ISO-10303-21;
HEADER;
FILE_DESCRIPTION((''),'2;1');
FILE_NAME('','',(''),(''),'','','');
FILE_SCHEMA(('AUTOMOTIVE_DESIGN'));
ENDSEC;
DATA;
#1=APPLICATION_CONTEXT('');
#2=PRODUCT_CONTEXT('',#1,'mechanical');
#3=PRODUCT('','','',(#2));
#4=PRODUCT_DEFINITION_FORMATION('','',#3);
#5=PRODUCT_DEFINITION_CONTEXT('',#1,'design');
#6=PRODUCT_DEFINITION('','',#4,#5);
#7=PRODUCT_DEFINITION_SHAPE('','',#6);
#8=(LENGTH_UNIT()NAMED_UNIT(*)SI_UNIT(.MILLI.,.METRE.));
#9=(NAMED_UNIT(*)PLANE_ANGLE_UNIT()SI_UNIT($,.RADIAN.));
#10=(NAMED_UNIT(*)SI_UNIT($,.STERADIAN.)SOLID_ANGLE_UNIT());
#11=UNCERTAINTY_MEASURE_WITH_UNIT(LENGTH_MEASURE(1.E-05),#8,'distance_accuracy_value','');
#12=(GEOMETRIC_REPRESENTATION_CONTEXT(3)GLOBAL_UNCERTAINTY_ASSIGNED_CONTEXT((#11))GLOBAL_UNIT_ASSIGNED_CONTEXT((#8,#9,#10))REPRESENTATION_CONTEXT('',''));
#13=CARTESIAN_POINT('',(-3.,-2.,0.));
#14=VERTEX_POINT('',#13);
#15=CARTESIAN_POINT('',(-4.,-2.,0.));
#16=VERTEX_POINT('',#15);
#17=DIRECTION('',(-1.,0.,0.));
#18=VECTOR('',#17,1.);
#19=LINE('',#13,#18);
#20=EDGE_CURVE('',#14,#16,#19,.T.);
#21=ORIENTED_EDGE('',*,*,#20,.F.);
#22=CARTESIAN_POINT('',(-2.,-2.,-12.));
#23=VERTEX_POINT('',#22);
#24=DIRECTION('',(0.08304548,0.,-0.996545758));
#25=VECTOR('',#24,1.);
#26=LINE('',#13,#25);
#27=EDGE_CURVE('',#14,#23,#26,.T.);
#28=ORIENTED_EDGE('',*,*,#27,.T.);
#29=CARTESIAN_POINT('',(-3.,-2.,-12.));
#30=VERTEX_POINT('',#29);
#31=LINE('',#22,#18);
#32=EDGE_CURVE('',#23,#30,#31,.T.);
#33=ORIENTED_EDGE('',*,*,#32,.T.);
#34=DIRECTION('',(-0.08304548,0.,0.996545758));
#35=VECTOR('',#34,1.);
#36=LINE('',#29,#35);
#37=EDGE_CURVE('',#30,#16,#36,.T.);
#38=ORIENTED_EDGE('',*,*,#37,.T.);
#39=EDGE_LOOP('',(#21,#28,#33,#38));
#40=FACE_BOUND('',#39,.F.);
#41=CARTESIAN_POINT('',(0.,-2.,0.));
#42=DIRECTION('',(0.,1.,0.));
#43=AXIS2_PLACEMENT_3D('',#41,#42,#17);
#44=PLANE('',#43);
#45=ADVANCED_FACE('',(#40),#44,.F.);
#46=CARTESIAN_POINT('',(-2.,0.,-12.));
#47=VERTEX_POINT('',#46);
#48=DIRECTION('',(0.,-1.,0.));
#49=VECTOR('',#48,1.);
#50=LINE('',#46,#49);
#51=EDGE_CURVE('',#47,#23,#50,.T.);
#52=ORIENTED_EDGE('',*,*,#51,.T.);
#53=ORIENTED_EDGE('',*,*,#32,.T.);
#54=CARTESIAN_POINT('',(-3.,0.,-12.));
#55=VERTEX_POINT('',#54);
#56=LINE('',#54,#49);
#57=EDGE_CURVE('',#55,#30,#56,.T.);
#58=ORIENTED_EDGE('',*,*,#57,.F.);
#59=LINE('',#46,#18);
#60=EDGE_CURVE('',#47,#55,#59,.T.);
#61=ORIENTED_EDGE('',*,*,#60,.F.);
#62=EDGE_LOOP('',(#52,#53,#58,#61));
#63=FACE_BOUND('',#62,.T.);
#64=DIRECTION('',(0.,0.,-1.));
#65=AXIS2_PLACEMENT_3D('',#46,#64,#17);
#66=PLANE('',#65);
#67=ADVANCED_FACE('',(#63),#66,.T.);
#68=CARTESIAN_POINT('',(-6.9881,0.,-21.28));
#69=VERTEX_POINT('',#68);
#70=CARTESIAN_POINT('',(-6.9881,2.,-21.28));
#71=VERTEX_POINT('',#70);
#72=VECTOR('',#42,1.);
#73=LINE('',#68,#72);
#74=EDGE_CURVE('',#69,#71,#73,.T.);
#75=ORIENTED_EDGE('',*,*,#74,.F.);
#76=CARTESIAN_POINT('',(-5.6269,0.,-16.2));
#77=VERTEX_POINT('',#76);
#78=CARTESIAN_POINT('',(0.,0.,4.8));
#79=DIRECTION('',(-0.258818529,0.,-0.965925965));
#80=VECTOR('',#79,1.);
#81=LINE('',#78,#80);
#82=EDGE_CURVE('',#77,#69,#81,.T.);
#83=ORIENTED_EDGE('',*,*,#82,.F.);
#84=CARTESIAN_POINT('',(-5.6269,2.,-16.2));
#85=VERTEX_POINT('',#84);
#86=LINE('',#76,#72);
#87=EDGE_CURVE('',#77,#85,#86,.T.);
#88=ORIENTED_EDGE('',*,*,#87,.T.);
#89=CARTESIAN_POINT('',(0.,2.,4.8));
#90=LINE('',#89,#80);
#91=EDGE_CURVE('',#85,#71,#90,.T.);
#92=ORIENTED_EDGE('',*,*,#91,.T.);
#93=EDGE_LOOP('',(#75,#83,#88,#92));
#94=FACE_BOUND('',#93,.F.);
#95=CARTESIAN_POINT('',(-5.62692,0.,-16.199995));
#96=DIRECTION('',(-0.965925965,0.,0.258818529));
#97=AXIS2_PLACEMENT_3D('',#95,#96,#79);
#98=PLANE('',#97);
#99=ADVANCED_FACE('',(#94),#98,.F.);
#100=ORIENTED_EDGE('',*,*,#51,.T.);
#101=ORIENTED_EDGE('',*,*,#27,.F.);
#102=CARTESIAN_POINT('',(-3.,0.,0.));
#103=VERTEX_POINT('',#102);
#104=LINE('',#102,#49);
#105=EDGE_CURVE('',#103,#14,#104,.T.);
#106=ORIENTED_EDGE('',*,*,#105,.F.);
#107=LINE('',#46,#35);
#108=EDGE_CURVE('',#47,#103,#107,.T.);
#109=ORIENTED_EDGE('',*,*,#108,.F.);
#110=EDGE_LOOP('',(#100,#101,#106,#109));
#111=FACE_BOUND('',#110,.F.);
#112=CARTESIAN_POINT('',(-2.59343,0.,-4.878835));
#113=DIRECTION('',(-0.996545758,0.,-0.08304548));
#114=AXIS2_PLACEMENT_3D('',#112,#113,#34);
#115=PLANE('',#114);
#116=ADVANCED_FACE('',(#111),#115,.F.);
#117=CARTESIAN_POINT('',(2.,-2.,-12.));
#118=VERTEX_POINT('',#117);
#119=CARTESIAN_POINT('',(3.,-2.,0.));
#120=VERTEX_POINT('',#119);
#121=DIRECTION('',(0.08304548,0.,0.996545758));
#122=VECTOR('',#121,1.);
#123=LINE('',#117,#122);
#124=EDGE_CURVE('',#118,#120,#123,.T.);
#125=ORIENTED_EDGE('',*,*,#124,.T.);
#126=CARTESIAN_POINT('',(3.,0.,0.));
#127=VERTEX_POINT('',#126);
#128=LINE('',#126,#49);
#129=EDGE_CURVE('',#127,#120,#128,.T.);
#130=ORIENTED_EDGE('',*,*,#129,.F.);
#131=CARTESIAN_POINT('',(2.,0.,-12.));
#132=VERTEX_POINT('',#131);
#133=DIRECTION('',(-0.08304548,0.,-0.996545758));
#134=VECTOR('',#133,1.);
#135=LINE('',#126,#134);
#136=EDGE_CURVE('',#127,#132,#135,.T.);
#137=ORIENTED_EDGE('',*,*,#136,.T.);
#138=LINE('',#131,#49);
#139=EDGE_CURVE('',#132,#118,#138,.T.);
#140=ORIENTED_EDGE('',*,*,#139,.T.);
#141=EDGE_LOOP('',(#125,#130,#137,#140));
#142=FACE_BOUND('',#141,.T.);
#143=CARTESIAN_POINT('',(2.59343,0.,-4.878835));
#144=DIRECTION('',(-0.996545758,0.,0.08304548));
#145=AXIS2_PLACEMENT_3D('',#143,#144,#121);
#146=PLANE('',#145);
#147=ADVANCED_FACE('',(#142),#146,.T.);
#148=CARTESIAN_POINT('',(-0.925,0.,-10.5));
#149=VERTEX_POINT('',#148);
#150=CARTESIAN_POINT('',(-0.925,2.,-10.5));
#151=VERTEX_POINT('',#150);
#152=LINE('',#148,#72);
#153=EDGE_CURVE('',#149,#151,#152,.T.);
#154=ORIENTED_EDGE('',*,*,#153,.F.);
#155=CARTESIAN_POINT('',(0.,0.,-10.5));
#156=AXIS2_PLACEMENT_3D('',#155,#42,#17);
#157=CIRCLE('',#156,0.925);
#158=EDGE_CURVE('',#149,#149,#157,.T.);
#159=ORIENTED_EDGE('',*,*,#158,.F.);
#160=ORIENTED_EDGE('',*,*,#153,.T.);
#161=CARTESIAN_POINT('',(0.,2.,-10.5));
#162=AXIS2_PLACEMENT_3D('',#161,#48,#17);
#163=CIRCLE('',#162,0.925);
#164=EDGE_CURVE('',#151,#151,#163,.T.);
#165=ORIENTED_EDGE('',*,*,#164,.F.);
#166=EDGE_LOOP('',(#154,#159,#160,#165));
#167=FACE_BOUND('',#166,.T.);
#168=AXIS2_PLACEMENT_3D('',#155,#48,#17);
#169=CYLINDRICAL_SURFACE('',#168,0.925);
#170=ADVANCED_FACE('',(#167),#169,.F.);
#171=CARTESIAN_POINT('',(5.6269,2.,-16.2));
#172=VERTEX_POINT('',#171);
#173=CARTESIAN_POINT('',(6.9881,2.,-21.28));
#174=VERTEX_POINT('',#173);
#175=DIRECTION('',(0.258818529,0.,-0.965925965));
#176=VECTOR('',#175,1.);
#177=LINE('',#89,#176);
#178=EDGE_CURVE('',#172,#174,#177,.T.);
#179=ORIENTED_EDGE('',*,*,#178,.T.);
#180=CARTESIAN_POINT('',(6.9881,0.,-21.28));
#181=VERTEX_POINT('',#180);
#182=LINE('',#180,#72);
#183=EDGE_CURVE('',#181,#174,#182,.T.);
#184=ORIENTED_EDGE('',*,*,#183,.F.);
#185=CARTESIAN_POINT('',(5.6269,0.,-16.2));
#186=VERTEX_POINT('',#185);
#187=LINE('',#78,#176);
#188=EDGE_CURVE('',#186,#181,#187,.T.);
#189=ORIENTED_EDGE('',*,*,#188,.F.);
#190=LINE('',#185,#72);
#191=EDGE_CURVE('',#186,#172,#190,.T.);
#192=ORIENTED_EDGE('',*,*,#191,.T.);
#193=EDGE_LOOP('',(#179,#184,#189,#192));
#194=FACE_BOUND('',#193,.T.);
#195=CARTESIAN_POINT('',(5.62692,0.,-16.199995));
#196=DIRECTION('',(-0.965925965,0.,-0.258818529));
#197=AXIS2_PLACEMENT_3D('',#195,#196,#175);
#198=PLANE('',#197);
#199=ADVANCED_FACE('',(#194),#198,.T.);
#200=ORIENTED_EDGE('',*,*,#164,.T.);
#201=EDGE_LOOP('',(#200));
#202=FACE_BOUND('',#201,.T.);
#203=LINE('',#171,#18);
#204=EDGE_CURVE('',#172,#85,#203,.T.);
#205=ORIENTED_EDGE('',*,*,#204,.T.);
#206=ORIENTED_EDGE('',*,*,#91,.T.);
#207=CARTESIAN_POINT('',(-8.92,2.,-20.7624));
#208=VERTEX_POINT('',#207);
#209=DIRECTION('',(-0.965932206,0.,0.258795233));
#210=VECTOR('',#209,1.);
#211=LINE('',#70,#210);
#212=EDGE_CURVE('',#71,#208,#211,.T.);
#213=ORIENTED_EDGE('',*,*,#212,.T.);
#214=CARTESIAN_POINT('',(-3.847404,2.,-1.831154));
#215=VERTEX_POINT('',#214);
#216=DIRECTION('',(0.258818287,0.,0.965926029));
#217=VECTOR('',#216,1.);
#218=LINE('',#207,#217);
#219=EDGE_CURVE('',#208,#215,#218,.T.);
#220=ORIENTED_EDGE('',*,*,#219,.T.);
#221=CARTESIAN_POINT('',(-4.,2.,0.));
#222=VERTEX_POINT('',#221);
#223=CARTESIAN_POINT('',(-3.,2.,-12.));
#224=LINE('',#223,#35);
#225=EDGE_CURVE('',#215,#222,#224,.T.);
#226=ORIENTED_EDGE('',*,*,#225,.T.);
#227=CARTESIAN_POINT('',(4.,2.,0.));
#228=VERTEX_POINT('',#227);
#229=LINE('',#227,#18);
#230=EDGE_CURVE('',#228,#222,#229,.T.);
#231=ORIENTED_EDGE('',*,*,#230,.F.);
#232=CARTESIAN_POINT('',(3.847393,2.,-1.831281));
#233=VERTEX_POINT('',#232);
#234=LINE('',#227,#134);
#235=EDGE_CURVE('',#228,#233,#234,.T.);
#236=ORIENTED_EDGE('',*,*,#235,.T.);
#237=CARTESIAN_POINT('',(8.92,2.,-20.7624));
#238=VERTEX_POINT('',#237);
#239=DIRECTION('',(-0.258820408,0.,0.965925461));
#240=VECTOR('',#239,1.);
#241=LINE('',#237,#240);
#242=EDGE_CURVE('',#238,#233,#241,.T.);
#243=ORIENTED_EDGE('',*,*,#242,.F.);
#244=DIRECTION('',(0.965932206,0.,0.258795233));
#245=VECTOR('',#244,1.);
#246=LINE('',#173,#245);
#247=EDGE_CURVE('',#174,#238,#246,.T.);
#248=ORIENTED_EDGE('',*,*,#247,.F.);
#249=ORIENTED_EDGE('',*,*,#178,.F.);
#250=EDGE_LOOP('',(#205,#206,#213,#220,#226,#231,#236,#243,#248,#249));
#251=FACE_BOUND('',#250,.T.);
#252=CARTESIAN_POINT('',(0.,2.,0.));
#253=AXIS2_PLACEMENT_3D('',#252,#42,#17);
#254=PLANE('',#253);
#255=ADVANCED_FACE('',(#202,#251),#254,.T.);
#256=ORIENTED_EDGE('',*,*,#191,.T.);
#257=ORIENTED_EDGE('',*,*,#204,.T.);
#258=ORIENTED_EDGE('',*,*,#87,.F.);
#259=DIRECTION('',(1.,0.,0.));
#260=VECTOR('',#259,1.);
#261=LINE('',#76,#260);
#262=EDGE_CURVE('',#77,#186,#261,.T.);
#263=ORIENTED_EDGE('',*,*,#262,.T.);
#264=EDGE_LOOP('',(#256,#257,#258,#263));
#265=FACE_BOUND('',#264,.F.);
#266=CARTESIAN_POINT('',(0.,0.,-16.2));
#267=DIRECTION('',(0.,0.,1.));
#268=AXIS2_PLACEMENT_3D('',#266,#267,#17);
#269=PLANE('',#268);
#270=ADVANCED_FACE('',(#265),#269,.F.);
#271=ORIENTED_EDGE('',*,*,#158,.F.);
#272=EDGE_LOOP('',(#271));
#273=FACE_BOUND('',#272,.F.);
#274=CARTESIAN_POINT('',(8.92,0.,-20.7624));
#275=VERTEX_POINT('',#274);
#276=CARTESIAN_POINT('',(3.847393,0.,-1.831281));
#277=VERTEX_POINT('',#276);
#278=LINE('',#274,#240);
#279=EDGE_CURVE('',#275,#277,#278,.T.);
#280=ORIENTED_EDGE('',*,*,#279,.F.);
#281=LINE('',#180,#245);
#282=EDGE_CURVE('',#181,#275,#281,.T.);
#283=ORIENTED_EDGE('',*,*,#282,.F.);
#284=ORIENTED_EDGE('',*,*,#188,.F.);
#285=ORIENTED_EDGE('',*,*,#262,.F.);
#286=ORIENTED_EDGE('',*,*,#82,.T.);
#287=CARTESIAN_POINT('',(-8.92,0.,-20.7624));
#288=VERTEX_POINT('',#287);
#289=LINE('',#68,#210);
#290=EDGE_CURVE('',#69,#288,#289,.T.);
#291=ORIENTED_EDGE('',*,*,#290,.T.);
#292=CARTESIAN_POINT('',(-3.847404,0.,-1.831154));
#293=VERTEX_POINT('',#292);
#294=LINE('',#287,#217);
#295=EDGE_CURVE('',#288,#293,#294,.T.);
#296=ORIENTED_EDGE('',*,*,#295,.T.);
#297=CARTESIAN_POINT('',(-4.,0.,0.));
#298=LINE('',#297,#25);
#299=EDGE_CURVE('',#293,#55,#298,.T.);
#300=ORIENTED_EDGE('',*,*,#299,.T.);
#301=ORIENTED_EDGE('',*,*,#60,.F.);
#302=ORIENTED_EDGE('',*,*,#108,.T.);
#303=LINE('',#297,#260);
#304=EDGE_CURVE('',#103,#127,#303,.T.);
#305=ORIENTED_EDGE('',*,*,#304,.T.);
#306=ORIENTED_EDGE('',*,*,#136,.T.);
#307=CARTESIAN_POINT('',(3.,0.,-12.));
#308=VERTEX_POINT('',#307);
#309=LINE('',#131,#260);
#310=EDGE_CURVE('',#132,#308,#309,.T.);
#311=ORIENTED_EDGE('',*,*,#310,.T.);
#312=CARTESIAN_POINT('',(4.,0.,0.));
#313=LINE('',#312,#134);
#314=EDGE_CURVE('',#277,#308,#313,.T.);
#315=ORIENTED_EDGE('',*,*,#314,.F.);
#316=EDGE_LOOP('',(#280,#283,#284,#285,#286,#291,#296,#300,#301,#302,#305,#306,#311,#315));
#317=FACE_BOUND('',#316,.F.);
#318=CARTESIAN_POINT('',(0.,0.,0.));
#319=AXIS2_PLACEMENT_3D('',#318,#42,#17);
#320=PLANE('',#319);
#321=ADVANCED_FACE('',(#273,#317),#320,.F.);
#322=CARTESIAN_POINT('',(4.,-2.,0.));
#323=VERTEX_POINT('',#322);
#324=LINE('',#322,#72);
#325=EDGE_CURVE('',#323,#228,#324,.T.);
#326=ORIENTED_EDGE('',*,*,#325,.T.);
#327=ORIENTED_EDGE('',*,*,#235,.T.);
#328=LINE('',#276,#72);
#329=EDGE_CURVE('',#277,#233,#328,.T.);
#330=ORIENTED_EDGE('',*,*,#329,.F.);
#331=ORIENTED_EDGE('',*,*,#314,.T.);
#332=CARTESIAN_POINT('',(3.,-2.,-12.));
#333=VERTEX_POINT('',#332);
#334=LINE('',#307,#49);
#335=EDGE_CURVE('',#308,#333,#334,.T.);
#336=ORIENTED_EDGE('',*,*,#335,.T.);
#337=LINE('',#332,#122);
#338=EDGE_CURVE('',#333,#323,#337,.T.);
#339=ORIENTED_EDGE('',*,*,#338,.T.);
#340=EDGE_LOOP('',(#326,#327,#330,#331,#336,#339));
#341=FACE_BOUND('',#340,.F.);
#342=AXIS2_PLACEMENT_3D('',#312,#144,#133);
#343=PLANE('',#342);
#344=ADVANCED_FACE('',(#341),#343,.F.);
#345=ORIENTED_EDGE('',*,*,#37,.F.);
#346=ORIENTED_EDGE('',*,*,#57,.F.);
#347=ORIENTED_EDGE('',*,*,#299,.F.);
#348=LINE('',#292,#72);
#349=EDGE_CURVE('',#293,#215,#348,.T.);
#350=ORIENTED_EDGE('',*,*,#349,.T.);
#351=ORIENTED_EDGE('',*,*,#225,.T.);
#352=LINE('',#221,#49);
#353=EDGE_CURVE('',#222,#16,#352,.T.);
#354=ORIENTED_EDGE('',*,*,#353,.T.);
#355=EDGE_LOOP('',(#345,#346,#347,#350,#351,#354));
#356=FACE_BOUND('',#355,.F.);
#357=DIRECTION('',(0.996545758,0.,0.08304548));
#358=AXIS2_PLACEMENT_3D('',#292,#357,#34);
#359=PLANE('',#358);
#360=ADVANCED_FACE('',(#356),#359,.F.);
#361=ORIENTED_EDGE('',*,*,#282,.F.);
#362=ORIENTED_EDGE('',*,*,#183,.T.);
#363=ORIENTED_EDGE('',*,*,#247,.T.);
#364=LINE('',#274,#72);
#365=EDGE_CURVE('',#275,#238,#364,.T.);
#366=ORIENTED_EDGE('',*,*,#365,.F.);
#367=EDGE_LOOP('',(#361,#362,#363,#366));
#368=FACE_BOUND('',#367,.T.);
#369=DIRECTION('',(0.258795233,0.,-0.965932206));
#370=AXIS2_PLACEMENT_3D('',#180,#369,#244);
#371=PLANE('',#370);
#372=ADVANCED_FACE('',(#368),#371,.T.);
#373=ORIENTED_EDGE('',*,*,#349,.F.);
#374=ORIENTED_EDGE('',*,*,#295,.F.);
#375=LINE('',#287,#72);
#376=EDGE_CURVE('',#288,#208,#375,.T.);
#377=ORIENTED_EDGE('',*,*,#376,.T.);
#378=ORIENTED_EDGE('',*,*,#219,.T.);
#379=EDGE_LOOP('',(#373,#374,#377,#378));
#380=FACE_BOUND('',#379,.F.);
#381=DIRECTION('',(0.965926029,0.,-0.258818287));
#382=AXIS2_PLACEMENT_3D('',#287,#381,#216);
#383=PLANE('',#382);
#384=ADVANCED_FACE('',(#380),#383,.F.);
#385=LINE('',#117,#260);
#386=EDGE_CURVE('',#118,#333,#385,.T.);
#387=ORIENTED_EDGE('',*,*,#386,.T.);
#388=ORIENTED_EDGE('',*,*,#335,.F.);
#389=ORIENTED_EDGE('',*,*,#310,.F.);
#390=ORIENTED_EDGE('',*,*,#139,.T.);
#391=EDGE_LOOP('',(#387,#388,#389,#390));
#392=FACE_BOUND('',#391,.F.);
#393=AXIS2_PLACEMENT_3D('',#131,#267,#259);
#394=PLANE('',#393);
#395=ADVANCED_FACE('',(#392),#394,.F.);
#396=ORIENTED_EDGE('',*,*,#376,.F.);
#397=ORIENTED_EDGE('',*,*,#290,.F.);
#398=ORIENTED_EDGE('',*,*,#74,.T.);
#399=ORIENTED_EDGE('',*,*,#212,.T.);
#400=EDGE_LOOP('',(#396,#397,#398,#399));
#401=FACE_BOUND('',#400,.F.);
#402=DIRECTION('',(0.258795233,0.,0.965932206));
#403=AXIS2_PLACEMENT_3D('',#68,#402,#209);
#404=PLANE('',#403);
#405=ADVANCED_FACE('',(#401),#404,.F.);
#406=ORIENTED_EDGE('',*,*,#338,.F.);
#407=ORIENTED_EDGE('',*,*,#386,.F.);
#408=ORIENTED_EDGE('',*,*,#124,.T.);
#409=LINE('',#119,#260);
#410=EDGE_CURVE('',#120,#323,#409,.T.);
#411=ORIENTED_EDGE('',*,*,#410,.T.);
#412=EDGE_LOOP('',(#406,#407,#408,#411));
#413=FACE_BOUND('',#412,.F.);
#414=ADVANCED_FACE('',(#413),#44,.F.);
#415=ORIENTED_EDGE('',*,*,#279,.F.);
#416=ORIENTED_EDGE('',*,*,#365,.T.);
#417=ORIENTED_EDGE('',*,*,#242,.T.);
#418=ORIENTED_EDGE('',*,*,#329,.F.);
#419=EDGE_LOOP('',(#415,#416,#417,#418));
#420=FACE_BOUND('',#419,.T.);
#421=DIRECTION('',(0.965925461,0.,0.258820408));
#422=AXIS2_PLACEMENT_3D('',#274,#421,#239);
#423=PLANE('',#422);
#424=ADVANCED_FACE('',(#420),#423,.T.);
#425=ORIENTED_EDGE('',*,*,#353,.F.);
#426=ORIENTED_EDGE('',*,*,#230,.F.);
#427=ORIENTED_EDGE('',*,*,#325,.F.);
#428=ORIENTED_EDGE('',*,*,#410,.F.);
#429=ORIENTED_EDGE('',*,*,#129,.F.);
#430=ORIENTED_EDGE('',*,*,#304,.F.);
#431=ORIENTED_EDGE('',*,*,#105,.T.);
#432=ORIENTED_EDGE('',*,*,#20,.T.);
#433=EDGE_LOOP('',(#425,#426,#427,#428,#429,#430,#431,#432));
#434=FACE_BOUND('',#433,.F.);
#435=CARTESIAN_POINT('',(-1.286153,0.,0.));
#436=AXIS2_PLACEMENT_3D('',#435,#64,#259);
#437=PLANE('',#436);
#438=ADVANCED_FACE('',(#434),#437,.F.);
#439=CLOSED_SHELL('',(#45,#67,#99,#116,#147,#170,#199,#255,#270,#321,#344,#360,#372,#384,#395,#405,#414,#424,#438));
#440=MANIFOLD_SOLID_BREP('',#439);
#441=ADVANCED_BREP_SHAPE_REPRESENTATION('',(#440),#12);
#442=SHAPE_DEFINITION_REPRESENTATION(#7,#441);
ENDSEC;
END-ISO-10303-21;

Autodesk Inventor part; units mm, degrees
ref_plane "YZ Plane" through (0, 0, 0) normal (1, 0, 0) x (0, 1, 0)
ref_plane "XZ Plane" through (0, 0, 0) normal (0, 1, 0) x (-1, 0, 0)
ref_plane "XY Plane" through (0, 0, 0) normal (0, 0, 1) x (1, 0, 0)
sketch "Sketch1" plane through (0, 0, 0) normal (0, 1, 0) x (-1, 0, 0)
  circle A0 centre (0, 0) radius 0.5
  line L0 (0, 0) -> (0, -2)
  circle A1 centre (0, -2) radius 0.75
  line L1 (0, -2) -> (0, -4)
  line L2 (0, -4) -> (0, -6)
  circle A2 centre (0, -4) radius 0.5
  circle A3 centre (0, -6) radius 0.5
  line L3 (0, 1.25) -> (0, 0)
  line L4 (0, 0.5) -> (0, 4.8)
  line L5 (0, 4.8) -> (0, -22.2)
  line L6 (0, -6.5) -> (0, -8)
  line L7 (0, -6) -> (0, -8)
  circle A4 centre (0, -8) radius 0.5
  line L8 (0, -8.5) -> (0, -12.5)
  line L9 (0, -12.5) -> (0, -12)
  circle A5 centre (0, -10.5) radius 0.925
  circle A6 centre (0, -12) radius 0.5
  line L10 (0, 1.25) -> (3, 1.25)
  line L11 (3, 1.25) -> (-3, 1.25)
  line L12 (-3, 1.25) -> (-3, -13.75)
  line L13 (-3, -13.75) -> (3, -13.75)
  line L14 (3, -13.75) -> (3, 1.25)
  line L15 (3, 0) -> (-3, 0)
  line L16 (0, -12) -> (2, -12)
  line L17 (2, -12) -> (-2, -12)
  line L18 (-2, -12) -> (-3, 0)
  line L19 (2, -12) -> (3, 0)
  line L20 (3, 0) -> (4, 0)
  line L21 (2, -12) -> (3, -12)
  line L22 (3, -12) -> (4, 0)
  line L23 (-3, 0) -> (-4, 0)
  line L24 (-2, -12) -> (-3, -12)
  line L25 (-4, 0) -> (-3, -12)
  line L26 (0, 4.8) -> (6.9881, -21.28)
  line L27 (0, 4.8) -> (-6.9881, -21.28)
  line L28 (-6.9881, -21.28) -> (-8.9881, -21.28)
  line L29 (-6.9881, -21.28) -> (-8.92, -20.7624)
  line L30 (-8.92, -20.7624) -> (-8.92, -1.1218)
  line L31 (-8.92, -20.7624) -> (-3.8366, -1.791)
  line L32 (6.9881, -21.28) -> (8.9881, -21.28)
  line L33 (6.9881, -21.28) -> (8.92, -20.7624)
  line L34 (8.92, -20.7624) -> (8.92, -0.4933)
  line L35 (8.92, -20.7624) -> (3.674, -1.184)
  line L36 (0, -22.2) -> (0, -16.2)
  line L37 (0, -16.2) -> (5.6269, -16.2)
  line L38 (0, -16.2) -> (-5.6269, -16.2)
  point P0 (0, -11.5)
  point P1 (3.8474, -1.8313)
  point P2 (-3.8474, -1.8313)
  dimension "d0" = 1
  dimension "d6" = 1
  dimension "d42" = 1
  dimension "d1" = 2
  dimension "d2" = 1.5
  dimension "d3" = 2
  dimension "d4" = 2
  dimension "d5" = 1
  dimension "d10" = 1.25
  dimension "d13" = 4.3
  dimension "d16" = 27
  dimension "d41" = 2
  dimension "d43" = 4
  dimension "d44" = 0.5
  dimension "d45" = 1
  dimension "d46" = 1.85
  dimension "d47" = 3
  dimension "d48" = 6
  dimension "d49" = 15
  dimension "d61" = 2
  dimension "d62" = 4
  dimension "d63" = 1
  dimension "d64" = 1
  dimension "d65" = 1
  dimension "d66" = 1
  dimension "d69" = 2
  dimension "d70" = 27
  dimension "d71" = 27
  dimension "d72" = 2
  dimension "d73" = 2
  dimension "d75" = 2
  dimension "d76" = 2
  dimension "d77" = 6
extrude "Extrusion1" add sketch "Sketch1" along normal blind 2 contours L15 L26 L19 L16 A6 L5 A5 A4 A3 L2 A2 L1 A1 L0 A0 | A0 L0 L15 | L0 A1 L1 A2 L2 A3 L5 A4 A5 A6 L17 L18 L27 L15 A0 | A0 L15 L0 | L15 L19 L26 | A1 L1 L0 | L0 L1 A1 | L20 L22 L26 L14 | L14 L26 L19 | L26 L14 L21 L19 | L27 L18 L15 | L26 L22 L14 | L21 L14 L13 L5 A6 L16 | L18 L27 L12 | L12 L27 L25 L23 | L18 L24 L12 L27 | A2 L2 L1 | L1 L2 A2 | L22 L26 L37 L5 L13 L14 | L22 L35 L33 L26 | L16 L5 A6 | A6 L5 L16 | L12 L25 L27 | L17 A6 L5 L13 L12 L24 | A6 L17 L5 | L5 L17 A6 | L12 L13 L5 L38 L27 L25 | L27 L29 L31 L25 | A3 L5 L2 | L2 L5 A3 | A4 L5 | L5 A4
extrude "Extrusion2" add sketch "Sketch1" against normal blind 2 contours L20 L22 L26 L14 | L14 L26 L19 | L26 L14 L21 L19 | L26 L22 L14 | L18 L27 L12 | L12 L27 L25 L23 | L18 L24 L12 L27 | L12 L25 L27
properties part number "Servo Arm"
